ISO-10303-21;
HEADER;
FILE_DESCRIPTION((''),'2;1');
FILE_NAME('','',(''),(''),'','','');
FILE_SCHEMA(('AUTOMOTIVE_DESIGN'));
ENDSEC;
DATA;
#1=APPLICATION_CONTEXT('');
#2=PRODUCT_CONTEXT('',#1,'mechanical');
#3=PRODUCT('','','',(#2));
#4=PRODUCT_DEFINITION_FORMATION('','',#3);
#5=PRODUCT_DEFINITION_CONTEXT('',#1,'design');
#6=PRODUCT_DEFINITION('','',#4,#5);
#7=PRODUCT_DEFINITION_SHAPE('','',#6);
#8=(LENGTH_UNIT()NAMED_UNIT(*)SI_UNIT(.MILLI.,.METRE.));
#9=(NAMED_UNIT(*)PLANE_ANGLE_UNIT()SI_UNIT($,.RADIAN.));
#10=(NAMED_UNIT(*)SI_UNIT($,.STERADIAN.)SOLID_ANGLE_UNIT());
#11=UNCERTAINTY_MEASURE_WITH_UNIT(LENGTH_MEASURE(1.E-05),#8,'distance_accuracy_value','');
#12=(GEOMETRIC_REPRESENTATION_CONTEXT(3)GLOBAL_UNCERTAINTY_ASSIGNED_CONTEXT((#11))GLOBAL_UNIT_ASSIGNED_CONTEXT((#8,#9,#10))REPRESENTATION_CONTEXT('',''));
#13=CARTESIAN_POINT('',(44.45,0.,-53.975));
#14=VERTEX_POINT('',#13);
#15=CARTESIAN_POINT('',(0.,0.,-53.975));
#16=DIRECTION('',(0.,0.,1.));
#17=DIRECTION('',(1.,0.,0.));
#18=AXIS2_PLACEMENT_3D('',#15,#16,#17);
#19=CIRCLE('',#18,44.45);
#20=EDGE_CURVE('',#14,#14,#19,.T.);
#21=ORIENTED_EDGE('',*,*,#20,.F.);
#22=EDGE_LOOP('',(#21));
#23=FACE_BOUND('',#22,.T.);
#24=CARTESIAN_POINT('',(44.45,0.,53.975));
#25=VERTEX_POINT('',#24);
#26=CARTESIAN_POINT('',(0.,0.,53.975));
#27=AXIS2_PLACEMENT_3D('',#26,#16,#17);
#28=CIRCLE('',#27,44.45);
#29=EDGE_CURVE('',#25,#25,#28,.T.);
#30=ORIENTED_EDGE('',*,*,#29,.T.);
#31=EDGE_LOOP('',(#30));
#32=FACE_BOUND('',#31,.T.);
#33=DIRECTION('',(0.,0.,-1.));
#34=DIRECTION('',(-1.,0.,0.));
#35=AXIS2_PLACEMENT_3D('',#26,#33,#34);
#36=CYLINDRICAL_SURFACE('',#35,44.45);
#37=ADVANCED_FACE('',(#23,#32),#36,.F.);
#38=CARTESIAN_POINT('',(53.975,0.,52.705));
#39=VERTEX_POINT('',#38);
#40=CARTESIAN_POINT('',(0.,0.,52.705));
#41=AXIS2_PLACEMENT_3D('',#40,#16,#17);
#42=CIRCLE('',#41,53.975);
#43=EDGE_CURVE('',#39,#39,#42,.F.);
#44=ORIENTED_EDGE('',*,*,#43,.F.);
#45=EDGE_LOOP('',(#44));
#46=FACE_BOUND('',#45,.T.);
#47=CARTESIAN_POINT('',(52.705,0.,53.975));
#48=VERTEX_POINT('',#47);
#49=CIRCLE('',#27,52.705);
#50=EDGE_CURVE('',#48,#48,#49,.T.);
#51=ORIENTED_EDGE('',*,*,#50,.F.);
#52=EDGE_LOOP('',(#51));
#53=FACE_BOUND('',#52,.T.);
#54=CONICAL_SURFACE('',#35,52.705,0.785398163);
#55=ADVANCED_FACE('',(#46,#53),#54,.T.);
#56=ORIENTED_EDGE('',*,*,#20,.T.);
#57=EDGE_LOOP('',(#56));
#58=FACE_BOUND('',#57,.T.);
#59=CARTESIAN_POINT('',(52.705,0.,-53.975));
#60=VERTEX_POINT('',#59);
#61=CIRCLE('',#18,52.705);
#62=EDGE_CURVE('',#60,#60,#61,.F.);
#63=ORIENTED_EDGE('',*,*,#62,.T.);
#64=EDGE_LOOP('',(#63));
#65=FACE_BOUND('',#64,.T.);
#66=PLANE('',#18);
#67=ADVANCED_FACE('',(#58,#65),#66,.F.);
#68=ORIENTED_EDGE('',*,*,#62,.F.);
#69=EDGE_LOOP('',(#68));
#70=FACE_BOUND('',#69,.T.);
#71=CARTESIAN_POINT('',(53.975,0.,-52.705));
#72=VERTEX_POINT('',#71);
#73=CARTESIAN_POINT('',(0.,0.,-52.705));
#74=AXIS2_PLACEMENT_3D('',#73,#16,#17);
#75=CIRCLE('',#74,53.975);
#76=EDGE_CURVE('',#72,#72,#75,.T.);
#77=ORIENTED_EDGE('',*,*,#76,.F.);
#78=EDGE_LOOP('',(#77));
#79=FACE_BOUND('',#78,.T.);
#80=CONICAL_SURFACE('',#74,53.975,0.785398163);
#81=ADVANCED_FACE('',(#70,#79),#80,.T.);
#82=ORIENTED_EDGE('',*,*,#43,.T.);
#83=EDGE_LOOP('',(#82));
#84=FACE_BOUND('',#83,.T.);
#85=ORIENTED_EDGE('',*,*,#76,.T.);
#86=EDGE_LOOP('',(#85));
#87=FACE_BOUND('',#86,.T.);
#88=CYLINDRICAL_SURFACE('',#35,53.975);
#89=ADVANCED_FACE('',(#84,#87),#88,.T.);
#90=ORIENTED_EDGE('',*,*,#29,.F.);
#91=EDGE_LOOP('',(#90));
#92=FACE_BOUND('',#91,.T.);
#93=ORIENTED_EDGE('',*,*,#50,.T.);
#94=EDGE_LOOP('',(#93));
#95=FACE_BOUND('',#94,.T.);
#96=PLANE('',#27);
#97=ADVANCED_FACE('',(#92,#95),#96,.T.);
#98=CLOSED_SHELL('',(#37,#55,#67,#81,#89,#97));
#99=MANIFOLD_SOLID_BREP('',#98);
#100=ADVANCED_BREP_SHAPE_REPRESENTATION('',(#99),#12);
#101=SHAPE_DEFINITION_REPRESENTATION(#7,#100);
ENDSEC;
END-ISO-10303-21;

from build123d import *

# Parameters (mm, degrees)
SKETCH1_R           = 53.975
SKETCH1_R_2         = 44.45
BOSS_EXTRUDE1_DEPTH = 53.975
CHAMFER1_SIZE       = 1.27


with BuildPart() as part:
    # Sketch1 → Boss-Extrude1 (new, symmetric)
    with BuildSketch(Plane.XY):
        Circle(SKETCH1_R)
        Circle(SKETCH1_R_2, mode=Mode.SUBTRACT)
    extrude(amount=BOSS_EXTRUDE1_DEPTH, both=True)

    # Chamfer1
    chamfer1_edges = [part.edges().sort_by_distance(p)[0] for p in [
        (-53.975, 0, -53.975),
        (-53.975, 0, 53.975),
    ]]
    chamfer(chamfer1_edges, length=CHAMFER1_SIZE)


solid = part.part
